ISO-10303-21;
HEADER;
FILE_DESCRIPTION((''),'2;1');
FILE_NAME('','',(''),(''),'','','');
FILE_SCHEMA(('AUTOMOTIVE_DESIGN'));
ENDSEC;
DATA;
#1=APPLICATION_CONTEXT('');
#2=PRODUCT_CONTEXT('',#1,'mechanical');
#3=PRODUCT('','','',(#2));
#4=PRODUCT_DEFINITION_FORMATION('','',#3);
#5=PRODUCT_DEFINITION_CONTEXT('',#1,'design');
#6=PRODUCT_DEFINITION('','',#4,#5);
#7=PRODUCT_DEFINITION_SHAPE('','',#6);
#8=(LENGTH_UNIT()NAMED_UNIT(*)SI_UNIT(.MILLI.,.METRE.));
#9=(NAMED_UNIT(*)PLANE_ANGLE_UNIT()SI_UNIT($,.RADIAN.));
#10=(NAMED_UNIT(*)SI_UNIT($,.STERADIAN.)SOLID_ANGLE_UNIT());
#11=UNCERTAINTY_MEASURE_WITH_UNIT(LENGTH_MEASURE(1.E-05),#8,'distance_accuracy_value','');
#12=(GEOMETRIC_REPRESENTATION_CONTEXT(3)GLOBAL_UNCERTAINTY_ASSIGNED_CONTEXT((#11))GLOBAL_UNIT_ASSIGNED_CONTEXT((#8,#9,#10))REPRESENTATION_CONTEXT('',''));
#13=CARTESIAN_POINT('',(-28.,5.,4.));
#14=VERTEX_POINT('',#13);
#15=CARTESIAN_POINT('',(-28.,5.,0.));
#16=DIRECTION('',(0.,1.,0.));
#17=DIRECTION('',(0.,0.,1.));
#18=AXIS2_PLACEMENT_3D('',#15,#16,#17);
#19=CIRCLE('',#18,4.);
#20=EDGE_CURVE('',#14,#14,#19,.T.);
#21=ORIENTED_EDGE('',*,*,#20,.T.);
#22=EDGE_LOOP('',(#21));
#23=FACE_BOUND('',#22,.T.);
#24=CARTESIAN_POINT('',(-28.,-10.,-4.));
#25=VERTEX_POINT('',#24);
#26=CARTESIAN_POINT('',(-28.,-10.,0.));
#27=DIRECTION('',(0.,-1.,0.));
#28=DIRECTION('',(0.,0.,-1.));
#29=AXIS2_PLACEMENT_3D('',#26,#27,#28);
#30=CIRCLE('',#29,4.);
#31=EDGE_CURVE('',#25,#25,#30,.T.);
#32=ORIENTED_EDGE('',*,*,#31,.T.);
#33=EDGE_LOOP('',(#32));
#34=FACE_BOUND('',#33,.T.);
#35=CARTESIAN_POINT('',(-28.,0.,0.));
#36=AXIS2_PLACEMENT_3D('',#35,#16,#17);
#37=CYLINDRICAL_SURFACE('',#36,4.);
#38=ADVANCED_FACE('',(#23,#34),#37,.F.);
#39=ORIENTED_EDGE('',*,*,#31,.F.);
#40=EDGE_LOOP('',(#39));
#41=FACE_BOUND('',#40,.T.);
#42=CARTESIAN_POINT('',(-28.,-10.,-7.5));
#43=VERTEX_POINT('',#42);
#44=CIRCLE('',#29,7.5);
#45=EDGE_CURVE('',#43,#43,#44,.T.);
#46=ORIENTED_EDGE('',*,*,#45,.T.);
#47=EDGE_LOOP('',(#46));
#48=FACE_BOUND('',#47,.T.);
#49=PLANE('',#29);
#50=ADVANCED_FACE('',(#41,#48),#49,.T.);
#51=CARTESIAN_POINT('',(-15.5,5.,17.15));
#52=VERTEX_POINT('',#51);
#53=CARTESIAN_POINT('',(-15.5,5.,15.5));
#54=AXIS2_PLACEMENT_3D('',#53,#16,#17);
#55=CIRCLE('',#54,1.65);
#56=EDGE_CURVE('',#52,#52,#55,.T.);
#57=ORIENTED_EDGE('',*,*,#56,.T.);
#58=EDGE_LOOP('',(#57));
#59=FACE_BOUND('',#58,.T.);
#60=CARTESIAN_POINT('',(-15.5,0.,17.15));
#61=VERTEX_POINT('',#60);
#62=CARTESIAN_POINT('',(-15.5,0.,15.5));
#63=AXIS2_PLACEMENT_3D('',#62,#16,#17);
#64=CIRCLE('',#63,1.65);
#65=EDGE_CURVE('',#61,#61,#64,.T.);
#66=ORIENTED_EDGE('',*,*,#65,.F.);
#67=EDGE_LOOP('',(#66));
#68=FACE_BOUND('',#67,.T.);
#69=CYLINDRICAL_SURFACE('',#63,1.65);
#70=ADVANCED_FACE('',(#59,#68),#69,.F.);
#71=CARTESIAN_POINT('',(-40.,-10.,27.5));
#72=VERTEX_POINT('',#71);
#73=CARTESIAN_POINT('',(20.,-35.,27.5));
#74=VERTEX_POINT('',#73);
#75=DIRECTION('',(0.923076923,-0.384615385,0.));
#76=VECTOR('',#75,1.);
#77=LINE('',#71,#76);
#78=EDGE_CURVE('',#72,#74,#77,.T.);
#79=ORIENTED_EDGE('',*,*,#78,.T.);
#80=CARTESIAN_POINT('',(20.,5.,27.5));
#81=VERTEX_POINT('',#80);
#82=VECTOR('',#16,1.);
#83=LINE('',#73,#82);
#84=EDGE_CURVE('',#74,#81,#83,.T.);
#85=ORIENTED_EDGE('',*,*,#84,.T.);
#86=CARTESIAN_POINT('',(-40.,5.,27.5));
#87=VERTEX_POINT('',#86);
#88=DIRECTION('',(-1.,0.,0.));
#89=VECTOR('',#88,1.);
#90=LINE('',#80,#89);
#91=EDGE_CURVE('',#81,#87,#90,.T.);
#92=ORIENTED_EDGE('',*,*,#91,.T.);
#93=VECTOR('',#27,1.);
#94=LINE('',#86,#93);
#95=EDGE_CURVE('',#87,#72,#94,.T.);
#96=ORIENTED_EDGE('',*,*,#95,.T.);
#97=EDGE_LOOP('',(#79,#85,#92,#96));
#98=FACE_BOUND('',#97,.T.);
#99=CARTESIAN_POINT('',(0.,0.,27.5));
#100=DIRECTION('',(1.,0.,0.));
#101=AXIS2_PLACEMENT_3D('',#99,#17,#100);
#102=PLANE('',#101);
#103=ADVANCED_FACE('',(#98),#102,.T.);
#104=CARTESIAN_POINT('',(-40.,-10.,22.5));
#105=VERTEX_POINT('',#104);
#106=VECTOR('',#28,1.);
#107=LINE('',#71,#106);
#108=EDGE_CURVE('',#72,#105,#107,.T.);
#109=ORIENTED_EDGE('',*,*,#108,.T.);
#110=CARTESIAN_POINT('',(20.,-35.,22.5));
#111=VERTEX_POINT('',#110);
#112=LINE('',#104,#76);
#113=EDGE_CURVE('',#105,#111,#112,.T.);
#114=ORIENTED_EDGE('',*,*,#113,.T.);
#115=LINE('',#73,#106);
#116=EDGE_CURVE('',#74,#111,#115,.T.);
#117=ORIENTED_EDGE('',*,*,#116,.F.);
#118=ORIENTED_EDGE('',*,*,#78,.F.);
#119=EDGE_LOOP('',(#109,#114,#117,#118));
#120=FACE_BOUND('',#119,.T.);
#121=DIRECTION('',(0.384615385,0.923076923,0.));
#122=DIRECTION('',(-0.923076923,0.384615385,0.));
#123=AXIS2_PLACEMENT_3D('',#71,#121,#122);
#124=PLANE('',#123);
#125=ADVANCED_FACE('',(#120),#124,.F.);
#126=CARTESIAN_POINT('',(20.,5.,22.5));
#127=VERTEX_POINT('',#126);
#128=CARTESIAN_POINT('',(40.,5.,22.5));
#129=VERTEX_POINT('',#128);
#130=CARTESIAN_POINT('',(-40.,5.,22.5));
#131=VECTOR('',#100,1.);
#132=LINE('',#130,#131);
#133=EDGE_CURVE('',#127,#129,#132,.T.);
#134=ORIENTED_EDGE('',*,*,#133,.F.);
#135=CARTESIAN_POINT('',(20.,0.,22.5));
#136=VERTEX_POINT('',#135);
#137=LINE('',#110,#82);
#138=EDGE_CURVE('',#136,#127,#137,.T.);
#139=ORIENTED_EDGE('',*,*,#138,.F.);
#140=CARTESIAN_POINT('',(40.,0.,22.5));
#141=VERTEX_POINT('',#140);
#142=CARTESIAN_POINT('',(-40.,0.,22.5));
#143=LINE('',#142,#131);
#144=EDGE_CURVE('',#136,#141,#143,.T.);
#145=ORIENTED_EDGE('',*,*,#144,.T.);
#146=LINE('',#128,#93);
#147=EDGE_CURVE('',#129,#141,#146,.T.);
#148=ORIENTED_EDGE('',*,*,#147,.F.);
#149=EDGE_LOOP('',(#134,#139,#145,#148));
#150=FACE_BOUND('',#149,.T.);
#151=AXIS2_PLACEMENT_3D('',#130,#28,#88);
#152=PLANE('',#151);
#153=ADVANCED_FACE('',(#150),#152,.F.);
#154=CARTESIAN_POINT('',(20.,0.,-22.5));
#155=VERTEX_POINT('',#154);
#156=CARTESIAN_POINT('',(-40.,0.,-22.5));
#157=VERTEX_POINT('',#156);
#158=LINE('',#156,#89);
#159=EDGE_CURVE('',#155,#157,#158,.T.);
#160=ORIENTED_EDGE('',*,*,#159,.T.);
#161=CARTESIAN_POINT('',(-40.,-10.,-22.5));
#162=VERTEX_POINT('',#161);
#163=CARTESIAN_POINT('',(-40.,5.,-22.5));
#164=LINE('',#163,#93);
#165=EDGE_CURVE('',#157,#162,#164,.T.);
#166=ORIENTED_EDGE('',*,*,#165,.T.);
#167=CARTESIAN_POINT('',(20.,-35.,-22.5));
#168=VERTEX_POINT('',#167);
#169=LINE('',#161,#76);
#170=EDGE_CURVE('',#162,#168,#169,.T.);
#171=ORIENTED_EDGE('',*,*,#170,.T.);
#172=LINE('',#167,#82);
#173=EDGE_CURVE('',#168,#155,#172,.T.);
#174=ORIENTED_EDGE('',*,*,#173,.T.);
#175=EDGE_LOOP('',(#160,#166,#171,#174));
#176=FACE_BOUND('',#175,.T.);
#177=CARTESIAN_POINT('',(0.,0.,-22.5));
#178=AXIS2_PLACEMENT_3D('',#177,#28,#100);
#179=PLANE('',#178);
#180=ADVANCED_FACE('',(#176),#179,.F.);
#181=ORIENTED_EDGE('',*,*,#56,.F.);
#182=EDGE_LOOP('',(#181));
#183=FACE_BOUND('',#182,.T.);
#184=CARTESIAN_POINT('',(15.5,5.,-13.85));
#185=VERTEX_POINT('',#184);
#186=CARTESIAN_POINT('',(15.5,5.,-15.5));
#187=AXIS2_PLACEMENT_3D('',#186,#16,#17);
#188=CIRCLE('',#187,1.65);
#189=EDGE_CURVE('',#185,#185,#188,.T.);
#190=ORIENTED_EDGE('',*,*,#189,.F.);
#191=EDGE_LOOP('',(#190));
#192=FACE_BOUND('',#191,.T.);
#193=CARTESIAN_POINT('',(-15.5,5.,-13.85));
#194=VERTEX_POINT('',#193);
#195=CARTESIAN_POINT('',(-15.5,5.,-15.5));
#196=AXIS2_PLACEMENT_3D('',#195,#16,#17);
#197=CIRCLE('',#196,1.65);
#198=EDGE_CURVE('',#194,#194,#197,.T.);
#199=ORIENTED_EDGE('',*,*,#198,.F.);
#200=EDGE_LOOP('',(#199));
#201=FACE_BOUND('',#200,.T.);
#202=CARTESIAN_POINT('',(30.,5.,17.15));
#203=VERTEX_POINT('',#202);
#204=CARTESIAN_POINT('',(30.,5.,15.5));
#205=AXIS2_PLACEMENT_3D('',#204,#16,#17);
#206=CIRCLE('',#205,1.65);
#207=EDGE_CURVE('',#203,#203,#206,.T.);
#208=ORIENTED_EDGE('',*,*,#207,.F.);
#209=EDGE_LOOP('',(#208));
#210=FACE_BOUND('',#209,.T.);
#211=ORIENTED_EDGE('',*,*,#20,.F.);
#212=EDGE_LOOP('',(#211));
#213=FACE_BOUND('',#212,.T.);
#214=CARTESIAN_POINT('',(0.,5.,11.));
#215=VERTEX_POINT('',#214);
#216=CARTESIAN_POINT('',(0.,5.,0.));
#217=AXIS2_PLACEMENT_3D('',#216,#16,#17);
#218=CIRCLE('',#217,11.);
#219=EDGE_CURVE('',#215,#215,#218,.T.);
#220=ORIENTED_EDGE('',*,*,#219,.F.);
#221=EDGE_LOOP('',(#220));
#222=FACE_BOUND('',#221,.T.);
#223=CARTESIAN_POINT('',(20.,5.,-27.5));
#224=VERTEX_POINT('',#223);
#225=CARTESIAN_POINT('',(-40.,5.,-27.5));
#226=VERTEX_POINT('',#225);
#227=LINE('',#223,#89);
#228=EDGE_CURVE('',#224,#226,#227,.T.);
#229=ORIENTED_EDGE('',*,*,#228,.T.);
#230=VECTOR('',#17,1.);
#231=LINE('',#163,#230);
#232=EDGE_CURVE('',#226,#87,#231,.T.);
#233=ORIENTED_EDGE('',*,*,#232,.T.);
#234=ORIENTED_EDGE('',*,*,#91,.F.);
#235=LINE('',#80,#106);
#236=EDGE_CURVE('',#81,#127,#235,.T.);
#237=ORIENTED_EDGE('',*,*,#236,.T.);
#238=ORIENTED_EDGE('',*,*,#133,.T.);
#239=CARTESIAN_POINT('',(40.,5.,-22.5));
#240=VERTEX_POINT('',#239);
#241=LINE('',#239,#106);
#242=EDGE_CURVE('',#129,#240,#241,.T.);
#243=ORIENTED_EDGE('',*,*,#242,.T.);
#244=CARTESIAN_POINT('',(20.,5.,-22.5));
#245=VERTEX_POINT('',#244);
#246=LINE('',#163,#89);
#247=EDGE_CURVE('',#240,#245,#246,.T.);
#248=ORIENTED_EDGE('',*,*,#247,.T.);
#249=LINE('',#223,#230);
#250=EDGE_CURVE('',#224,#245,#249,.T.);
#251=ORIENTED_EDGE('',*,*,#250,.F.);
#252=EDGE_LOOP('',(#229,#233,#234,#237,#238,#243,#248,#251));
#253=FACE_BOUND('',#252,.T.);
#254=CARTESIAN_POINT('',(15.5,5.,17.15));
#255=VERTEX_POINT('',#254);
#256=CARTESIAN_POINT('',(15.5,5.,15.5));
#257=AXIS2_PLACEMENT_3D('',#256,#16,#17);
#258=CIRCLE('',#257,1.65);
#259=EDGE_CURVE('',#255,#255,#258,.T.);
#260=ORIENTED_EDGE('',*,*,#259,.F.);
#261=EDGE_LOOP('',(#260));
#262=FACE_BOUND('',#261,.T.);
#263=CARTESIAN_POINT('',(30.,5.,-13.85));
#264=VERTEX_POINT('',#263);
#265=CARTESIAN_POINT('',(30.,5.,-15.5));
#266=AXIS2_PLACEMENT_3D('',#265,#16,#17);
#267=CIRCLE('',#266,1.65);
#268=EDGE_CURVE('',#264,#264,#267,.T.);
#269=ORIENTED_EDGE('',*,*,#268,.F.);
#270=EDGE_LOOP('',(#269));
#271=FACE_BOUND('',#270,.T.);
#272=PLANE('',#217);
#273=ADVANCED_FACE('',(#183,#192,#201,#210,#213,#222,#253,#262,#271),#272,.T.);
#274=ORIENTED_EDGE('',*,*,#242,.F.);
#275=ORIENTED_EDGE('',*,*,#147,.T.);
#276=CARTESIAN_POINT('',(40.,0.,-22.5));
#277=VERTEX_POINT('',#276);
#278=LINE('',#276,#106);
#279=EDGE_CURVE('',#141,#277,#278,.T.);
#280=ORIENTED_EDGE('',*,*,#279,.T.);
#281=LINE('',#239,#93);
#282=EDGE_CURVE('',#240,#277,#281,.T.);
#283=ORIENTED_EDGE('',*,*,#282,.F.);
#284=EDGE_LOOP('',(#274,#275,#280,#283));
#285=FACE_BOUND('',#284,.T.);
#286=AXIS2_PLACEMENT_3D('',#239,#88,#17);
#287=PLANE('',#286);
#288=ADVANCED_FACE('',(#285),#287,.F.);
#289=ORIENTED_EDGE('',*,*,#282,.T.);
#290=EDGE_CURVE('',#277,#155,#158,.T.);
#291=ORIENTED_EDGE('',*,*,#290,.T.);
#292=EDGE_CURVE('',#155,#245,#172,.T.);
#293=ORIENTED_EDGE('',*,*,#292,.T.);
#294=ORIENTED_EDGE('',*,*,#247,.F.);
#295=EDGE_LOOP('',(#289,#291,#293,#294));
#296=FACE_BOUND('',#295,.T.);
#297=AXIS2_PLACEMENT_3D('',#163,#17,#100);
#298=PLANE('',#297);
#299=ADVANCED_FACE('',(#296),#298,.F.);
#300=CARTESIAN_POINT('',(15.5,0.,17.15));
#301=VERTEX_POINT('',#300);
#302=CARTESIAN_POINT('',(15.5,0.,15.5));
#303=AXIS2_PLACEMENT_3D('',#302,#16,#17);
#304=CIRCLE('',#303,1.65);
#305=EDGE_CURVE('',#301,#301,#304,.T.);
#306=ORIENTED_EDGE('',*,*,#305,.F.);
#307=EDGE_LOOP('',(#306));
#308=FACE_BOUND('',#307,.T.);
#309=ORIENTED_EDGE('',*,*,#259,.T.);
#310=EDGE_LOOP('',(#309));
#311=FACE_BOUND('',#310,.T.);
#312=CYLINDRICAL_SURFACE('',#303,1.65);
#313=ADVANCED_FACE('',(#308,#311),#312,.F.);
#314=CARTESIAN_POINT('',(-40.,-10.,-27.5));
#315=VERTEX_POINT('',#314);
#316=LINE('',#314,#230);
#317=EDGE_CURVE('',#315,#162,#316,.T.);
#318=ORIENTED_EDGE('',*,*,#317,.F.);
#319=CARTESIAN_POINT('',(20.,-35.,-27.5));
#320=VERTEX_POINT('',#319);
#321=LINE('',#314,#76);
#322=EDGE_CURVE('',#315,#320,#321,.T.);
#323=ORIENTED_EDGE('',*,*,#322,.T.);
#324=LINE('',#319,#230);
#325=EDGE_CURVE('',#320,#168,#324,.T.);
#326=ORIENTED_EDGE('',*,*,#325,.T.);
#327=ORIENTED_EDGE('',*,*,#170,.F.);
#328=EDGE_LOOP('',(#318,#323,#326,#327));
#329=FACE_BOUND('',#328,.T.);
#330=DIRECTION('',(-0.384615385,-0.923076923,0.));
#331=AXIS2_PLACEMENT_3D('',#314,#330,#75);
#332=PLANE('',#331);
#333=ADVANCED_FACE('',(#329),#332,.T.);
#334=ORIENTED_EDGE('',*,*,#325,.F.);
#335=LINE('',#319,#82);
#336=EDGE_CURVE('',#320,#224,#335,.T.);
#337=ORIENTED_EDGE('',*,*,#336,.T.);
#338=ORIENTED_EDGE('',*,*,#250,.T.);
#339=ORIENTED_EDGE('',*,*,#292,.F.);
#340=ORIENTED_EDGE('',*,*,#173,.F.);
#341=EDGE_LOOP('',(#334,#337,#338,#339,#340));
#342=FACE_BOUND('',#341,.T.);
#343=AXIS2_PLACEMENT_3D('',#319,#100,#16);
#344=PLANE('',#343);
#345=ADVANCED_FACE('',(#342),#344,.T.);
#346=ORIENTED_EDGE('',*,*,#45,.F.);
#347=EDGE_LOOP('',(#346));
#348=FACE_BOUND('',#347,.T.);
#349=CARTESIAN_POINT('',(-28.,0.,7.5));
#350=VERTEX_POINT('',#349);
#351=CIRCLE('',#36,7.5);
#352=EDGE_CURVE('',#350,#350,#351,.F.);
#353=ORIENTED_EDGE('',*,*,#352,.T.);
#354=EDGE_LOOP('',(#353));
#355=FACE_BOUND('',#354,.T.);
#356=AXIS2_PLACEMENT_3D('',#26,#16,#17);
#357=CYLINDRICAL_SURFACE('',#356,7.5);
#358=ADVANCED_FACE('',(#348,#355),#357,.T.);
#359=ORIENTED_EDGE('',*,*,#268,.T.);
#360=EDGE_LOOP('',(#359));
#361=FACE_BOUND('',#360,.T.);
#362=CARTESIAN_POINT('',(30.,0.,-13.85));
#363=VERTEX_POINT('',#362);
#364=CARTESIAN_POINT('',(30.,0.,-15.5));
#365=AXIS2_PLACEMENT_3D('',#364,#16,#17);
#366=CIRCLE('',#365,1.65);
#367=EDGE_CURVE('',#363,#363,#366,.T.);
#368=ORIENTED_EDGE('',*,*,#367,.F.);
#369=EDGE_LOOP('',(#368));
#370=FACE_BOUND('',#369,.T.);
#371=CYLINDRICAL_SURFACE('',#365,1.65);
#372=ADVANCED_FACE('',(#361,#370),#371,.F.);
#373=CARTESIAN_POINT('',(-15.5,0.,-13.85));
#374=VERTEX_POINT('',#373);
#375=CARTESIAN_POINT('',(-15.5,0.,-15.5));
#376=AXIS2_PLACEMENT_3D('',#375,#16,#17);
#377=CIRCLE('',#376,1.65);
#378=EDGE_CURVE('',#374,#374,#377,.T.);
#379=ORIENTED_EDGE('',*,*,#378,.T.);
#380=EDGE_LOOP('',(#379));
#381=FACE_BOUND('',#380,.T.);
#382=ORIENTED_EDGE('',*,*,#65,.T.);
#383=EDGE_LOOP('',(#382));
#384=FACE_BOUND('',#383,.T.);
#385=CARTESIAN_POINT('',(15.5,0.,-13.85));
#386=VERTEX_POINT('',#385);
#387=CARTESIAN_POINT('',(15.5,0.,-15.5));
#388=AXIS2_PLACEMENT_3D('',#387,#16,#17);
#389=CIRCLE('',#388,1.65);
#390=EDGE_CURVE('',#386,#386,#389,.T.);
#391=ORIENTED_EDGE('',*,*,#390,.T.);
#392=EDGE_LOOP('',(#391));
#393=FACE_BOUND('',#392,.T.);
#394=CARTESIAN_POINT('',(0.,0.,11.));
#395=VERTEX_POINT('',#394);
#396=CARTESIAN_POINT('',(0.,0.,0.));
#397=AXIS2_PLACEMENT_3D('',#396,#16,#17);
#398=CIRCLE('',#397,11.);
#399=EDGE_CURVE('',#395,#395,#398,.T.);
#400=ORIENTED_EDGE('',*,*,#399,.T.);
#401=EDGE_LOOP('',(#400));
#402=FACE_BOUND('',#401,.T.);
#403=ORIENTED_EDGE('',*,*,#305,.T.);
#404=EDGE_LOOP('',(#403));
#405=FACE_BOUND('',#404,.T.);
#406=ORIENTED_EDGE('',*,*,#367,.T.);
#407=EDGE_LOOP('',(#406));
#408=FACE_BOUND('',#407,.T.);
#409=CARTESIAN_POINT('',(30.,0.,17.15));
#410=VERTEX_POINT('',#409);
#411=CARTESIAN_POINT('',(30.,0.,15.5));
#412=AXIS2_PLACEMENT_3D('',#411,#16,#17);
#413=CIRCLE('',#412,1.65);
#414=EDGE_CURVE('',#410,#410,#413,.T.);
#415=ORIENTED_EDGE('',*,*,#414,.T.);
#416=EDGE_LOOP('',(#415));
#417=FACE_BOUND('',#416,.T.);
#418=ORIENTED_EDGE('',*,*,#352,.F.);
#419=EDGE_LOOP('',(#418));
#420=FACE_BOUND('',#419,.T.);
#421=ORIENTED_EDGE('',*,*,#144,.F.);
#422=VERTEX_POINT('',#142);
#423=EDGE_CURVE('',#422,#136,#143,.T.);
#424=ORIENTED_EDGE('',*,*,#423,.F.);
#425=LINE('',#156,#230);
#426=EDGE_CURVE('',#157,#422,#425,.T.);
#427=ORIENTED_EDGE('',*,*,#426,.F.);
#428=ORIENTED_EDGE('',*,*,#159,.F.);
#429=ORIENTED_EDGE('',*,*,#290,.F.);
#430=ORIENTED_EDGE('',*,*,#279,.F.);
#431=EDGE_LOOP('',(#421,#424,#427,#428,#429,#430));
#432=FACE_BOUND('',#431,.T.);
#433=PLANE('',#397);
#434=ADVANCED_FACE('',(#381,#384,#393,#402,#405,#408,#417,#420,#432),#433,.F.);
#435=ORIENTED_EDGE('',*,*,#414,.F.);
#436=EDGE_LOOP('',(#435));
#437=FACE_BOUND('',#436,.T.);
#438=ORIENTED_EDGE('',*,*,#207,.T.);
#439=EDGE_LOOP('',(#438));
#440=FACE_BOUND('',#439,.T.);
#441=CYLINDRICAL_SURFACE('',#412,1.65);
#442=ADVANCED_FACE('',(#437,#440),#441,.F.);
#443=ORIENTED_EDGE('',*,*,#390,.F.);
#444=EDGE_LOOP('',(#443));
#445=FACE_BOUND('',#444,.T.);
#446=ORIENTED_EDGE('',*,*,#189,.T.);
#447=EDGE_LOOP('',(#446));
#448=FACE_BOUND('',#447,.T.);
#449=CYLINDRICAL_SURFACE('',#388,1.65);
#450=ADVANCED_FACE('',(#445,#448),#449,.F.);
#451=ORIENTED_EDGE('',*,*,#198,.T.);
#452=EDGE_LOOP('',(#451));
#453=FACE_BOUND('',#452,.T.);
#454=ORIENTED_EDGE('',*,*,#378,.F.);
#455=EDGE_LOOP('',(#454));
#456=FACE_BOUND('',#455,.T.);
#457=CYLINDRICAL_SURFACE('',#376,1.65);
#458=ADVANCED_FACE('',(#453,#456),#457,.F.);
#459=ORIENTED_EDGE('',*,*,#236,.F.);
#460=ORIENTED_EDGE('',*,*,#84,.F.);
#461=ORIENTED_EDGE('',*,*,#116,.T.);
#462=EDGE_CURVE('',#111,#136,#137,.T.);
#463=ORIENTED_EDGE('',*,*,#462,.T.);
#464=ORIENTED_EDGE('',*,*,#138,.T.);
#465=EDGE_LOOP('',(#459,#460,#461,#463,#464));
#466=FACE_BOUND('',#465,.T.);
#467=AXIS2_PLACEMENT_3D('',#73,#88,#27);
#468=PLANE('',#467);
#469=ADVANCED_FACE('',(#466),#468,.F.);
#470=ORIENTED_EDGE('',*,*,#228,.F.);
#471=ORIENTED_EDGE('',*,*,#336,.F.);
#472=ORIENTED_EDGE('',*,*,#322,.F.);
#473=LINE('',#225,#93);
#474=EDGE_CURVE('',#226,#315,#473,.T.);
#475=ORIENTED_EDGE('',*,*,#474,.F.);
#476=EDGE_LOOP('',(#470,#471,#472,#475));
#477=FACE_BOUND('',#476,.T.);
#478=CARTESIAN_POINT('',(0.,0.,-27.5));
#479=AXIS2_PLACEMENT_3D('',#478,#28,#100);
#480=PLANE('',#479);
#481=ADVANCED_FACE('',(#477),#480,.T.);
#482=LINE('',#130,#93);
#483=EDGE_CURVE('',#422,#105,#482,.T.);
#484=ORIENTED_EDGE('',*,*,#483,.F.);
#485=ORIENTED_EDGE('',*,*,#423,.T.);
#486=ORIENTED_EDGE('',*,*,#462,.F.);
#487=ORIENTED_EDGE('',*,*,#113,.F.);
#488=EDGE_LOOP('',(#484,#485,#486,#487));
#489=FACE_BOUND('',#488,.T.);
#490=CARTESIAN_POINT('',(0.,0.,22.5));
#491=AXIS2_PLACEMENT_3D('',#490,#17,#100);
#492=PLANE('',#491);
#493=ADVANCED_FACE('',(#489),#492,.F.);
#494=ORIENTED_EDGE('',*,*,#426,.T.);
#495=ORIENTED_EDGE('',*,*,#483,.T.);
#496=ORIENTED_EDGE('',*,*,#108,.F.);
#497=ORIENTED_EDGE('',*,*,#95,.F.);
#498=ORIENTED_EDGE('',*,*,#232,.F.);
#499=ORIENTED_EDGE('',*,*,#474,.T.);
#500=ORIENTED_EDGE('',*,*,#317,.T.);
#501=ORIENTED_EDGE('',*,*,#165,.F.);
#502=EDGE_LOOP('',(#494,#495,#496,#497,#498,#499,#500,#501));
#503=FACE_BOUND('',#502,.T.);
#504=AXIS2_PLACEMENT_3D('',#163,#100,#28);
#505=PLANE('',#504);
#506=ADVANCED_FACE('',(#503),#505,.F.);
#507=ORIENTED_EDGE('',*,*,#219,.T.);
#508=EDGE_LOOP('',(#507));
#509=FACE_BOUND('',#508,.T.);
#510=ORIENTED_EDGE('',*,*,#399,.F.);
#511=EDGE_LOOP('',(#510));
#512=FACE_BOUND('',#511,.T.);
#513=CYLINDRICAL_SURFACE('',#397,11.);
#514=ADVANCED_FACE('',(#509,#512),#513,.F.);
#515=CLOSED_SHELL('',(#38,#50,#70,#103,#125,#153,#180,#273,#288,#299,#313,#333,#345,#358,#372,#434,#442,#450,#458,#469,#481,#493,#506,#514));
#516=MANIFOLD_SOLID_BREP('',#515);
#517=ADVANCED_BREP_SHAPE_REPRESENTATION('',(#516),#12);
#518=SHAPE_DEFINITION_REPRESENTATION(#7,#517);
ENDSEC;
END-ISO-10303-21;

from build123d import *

# Parameters (mm, degrees)
SKETCH_1_W          = 80
SKETCH_1_H          = 45
EXTRUDE_1_DEPTH     = 5
SKETCH_2_R          = 1.65
SKETCH_2_R_2        = 4
SKETCH_2_R_3        = 11
CUT_EXTRUDE_1_DEPTH = 47.165463282
SKETCH_3_R          = 7.5
SKETCH_3_R_2        = 4
EXTRUDE_2_DEPTH     = 10
EXTRUDE_4_DEPTH     = 5


with BuildPart() as part:
    # 草图1 → 凸台-拉伸1 (new body)
    with BuildSketch(Plane(origin=(0, 0, 0), x_dir=(1, 0, 0), z_dir=(0, 1, 0))):
        Rectangle(SKETCH_1_W, SKETCH_1_H)
    extrude(amount=EXTRUDE_1_DEPTH)

    # 草图2 → 切除-拉伸1 (cut, through all)
    with BuildSketch(Plane(origin=(0, 5, 0), x_dir=(1, 0, 0), z_dir=(0, 1, 0))):
        with Locations(Location((-15.5, 15.5, 0), (0, 0, 270))):
            Circle(SKETCH_2_R)
        with Locations(Location((15.5, 15.5, 0), (0, 0, 270))):
            Circle(SKETCH_2_R)
        with Locations(Location((15.5, -15.5, 0), (0, 0, 270))):
            Circle(SKETCH_2_R)
        with Locations(Location((-15.5, -15.5, 0), (0, 0, 270))):
            Circle(SKETCH_2_R)
        with Locations(Location((30, 15.5, 0), (0, 0, 270))):
            Circle(SKETCH_2_R)
        with Locations(Location((30, -15.5, 0), (0, 0, 270))):
            Circle(SKETCH_2_R)
        with Locations(Location((-28, 0, 0), (0, 0, 270))):
            Circle(SKETCH_2_R_2)
        with Locations(Location((0, 0, 0), (0, 0, 270))):
            Circle(SKETCH_2_R_3)
    extrude(amount=-CUT_EXTRUDE_1_DEPTH, mode=Mode.SUBTRACT)

    # 草图3 → 凸台-拉伸2 (add)
    with BuildSketch(Plane.XZ):
        with Locations(Location((-28, 0, 0), (0, 0, 90))):
            Circle(SKETCH_3_R)
        with Locations(Location((-28, 0, 0), (0, 0, 90))):
            Circle(SKETCH_3_R_2, mode=Mode.SUBTRACT)
    extrude(amount=EXTRUDE_2_DEPTH)

    # 草图6 → 凸台-拉伸4 (add)
    with BuildSketch(Plane.XY.offset(22.5)):
        Polygon((-40, 5), (-40, -10), (20, -35), (20, 5), align=None)
    extrude_4 = extrude(amount=EXTRUDE_4_DEPTH)

    # 镜向1: 凸台-拉伸4 across plane
    add(extrude_4.mirror(Plane(origin=(0, 0, 0), x_dir=(1, 0, 0), z_dir=(0, 0, -1))))


solid = part.part
